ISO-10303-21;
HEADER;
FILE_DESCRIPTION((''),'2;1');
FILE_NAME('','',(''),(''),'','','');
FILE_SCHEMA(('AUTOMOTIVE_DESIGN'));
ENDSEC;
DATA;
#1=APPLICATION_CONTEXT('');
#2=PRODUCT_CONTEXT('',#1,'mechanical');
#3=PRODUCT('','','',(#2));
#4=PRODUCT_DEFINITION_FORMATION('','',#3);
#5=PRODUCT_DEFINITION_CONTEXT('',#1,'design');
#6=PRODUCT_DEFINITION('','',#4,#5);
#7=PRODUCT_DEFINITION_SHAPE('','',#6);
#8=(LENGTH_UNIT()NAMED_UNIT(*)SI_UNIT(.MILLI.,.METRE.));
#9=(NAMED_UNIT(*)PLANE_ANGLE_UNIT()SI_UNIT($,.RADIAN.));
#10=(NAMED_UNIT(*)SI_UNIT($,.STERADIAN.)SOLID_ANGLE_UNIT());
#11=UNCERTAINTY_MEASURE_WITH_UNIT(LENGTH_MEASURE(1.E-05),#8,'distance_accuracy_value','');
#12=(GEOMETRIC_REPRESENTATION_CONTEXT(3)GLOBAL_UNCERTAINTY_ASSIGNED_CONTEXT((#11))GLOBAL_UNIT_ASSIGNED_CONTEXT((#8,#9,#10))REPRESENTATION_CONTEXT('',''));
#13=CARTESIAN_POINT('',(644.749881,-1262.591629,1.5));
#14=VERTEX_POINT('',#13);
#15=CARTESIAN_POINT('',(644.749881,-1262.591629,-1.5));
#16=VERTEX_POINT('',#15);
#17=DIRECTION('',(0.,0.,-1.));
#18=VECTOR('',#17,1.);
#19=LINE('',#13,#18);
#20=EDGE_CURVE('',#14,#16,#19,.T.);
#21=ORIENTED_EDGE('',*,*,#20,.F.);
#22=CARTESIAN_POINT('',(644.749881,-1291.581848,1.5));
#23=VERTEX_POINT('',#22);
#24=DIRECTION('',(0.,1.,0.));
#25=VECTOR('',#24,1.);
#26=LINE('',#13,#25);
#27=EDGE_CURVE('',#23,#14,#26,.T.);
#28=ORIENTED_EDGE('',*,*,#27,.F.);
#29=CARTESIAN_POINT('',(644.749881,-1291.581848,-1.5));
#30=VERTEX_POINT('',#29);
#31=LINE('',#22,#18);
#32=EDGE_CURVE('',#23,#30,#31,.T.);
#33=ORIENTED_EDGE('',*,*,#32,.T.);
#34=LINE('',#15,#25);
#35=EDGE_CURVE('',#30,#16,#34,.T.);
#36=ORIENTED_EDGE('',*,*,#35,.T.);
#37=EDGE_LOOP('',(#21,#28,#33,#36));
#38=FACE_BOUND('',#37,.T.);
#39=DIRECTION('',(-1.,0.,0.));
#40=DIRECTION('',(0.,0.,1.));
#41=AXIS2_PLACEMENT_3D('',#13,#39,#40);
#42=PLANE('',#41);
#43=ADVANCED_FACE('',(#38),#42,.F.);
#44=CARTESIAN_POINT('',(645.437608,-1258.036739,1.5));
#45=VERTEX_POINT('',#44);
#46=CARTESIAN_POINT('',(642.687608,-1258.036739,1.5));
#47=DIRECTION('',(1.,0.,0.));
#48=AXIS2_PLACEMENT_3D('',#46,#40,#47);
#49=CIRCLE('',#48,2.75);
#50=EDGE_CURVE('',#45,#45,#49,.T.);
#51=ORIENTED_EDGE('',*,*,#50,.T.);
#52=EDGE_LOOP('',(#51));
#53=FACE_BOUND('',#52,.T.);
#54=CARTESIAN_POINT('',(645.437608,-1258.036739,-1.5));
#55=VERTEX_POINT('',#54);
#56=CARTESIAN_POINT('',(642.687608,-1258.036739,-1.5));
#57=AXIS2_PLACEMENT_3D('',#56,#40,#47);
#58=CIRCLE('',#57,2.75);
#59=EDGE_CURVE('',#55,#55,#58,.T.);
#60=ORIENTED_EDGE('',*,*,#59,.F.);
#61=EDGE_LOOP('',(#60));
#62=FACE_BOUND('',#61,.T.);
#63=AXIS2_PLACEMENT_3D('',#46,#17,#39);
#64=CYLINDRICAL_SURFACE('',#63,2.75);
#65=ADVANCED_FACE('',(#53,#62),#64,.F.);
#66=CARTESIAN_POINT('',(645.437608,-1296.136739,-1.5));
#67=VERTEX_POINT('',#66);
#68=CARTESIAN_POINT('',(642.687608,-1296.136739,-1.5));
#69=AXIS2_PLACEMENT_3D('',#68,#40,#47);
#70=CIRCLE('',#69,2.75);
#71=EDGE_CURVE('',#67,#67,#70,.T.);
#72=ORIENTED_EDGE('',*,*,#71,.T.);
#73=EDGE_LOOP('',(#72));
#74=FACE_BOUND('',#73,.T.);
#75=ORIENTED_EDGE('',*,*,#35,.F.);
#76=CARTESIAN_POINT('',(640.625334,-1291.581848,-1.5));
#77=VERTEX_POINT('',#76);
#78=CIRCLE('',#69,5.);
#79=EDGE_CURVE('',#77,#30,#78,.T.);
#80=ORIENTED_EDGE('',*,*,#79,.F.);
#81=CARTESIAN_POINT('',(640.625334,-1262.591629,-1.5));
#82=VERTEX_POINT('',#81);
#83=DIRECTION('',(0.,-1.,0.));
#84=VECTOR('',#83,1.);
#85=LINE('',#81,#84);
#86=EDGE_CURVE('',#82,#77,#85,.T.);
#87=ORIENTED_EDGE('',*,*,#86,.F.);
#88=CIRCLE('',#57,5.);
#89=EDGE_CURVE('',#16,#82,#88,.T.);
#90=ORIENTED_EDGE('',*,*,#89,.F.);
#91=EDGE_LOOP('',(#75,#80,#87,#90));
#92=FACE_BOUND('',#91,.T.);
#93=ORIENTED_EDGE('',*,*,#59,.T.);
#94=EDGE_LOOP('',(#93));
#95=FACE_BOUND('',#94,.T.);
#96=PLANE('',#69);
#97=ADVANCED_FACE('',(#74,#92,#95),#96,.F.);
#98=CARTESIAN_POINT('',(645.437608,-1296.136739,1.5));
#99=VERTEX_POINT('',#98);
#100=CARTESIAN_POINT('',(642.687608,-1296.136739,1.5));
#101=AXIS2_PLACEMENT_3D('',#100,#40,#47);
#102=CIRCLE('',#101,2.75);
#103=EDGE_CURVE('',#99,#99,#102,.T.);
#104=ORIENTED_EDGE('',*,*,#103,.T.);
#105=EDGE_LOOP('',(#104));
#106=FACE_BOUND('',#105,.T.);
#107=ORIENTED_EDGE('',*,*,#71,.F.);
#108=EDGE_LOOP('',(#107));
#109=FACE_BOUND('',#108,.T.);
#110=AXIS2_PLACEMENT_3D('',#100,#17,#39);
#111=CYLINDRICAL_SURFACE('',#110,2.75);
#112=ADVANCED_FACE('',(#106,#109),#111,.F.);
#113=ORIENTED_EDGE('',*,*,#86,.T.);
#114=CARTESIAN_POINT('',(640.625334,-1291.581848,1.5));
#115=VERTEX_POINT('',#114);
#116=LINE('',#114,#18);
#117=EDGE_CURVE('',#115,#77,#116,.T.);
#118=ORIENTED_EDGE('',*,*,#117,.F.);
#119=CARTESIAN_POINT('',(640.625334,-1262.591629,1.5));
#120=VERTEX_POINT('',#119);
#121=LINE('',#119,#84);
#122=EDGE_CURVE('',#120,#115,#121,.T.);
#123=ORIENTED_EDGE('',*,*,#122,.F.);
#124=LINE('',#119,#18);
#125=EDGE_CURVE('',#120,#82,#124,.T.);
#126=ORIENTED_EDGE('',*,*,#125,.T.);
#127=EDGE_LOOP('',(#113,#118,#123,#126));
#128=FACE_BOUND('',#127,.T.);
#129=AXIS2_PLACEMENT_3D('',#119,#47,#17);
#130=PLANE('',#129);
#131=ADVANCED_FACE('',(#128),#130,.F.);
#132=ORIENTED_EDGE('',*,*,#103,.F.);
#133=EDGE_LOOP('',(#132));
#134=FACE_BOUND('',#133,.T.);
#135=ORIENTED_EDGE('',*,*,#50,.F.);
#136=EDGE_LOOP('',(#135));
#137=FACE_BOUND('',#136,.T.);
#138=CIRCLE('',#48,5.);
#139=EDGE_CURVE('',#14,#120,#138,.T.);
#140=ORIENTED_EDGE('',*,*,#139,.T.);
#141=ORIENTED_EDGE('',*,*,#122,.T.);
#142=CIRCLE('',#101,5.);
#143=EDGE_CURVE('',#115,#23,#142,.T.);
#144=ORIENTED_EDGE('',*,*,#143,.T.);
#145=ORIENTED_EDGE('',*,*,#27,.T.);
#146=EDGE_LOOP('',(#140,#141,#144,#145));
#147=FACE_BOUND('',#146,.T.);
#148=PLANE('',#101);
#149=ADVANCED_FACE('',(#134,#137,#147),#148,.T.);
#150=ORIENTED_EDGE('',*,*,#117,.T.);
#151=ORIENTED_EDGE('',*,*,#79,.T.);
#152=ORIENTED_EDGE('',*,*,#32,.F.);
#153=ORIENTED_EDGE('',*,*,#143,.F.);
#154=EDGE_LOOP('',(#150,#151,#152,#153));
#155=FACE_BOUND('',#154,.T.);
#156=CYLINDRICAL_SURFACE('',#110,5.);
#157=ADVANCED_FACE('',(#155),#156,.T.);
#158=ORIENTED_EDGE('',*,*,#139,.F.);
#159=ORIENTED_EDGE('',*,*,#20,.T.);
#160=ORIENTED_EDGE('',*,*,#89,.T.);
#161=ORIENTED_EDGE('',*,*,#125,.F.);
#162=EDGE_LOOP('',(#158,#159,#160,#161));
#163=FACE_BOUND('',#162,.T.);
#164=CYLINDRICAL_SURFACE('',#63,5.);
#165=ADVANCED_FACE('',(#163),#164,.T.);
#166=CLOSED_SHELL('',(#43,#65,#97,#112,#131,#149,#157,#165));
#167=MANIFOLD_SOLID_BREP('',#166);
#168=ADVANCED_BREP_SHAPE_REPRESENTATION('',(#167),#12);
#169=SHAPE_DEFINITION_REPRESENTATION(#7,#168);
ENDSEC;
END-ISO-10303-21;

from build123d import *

# Parameters (mm, degrees)
SKETCH3_R           = 2.75
BOSS_EXTRUDE3_DEPTH = 1.5


with BuildPart() as part:
    # Sketch3 → Boss-Extrude3 (new, symmetric)
    with BuildSketch(Plane.XY):
        with BuildLine():
            Line((644.749881263, -1262.591629214), (644.749881263, -1291.581848105))
            ThreePointArc((644.749881263, -1291.581848105), (642.687607751, -1301.136738659), (640.625334239, -1291.581848105))
            Line((640.625334239, -1291.581848105), (640.625334239, -1262.591629214))
            ThreePointArc((640.625334239, -1262.591629214), (642.687607751, -1253.036738659), (644.749881263, -1262.591629214))
        make_face()
        with Locations((642.687607751, -1296.136738659)):
            Circle(SKETCH3_R, mode=Mode.SUBTRACT)
        with Locations((642.687607751, -1258.036738659)):
            Circle(SKETCH3_R, mode=Mode.SUBTRACT)
    extrude(amount=BOSS_EXTRUDE3_DEPTH, both=True)


solid = part.part
